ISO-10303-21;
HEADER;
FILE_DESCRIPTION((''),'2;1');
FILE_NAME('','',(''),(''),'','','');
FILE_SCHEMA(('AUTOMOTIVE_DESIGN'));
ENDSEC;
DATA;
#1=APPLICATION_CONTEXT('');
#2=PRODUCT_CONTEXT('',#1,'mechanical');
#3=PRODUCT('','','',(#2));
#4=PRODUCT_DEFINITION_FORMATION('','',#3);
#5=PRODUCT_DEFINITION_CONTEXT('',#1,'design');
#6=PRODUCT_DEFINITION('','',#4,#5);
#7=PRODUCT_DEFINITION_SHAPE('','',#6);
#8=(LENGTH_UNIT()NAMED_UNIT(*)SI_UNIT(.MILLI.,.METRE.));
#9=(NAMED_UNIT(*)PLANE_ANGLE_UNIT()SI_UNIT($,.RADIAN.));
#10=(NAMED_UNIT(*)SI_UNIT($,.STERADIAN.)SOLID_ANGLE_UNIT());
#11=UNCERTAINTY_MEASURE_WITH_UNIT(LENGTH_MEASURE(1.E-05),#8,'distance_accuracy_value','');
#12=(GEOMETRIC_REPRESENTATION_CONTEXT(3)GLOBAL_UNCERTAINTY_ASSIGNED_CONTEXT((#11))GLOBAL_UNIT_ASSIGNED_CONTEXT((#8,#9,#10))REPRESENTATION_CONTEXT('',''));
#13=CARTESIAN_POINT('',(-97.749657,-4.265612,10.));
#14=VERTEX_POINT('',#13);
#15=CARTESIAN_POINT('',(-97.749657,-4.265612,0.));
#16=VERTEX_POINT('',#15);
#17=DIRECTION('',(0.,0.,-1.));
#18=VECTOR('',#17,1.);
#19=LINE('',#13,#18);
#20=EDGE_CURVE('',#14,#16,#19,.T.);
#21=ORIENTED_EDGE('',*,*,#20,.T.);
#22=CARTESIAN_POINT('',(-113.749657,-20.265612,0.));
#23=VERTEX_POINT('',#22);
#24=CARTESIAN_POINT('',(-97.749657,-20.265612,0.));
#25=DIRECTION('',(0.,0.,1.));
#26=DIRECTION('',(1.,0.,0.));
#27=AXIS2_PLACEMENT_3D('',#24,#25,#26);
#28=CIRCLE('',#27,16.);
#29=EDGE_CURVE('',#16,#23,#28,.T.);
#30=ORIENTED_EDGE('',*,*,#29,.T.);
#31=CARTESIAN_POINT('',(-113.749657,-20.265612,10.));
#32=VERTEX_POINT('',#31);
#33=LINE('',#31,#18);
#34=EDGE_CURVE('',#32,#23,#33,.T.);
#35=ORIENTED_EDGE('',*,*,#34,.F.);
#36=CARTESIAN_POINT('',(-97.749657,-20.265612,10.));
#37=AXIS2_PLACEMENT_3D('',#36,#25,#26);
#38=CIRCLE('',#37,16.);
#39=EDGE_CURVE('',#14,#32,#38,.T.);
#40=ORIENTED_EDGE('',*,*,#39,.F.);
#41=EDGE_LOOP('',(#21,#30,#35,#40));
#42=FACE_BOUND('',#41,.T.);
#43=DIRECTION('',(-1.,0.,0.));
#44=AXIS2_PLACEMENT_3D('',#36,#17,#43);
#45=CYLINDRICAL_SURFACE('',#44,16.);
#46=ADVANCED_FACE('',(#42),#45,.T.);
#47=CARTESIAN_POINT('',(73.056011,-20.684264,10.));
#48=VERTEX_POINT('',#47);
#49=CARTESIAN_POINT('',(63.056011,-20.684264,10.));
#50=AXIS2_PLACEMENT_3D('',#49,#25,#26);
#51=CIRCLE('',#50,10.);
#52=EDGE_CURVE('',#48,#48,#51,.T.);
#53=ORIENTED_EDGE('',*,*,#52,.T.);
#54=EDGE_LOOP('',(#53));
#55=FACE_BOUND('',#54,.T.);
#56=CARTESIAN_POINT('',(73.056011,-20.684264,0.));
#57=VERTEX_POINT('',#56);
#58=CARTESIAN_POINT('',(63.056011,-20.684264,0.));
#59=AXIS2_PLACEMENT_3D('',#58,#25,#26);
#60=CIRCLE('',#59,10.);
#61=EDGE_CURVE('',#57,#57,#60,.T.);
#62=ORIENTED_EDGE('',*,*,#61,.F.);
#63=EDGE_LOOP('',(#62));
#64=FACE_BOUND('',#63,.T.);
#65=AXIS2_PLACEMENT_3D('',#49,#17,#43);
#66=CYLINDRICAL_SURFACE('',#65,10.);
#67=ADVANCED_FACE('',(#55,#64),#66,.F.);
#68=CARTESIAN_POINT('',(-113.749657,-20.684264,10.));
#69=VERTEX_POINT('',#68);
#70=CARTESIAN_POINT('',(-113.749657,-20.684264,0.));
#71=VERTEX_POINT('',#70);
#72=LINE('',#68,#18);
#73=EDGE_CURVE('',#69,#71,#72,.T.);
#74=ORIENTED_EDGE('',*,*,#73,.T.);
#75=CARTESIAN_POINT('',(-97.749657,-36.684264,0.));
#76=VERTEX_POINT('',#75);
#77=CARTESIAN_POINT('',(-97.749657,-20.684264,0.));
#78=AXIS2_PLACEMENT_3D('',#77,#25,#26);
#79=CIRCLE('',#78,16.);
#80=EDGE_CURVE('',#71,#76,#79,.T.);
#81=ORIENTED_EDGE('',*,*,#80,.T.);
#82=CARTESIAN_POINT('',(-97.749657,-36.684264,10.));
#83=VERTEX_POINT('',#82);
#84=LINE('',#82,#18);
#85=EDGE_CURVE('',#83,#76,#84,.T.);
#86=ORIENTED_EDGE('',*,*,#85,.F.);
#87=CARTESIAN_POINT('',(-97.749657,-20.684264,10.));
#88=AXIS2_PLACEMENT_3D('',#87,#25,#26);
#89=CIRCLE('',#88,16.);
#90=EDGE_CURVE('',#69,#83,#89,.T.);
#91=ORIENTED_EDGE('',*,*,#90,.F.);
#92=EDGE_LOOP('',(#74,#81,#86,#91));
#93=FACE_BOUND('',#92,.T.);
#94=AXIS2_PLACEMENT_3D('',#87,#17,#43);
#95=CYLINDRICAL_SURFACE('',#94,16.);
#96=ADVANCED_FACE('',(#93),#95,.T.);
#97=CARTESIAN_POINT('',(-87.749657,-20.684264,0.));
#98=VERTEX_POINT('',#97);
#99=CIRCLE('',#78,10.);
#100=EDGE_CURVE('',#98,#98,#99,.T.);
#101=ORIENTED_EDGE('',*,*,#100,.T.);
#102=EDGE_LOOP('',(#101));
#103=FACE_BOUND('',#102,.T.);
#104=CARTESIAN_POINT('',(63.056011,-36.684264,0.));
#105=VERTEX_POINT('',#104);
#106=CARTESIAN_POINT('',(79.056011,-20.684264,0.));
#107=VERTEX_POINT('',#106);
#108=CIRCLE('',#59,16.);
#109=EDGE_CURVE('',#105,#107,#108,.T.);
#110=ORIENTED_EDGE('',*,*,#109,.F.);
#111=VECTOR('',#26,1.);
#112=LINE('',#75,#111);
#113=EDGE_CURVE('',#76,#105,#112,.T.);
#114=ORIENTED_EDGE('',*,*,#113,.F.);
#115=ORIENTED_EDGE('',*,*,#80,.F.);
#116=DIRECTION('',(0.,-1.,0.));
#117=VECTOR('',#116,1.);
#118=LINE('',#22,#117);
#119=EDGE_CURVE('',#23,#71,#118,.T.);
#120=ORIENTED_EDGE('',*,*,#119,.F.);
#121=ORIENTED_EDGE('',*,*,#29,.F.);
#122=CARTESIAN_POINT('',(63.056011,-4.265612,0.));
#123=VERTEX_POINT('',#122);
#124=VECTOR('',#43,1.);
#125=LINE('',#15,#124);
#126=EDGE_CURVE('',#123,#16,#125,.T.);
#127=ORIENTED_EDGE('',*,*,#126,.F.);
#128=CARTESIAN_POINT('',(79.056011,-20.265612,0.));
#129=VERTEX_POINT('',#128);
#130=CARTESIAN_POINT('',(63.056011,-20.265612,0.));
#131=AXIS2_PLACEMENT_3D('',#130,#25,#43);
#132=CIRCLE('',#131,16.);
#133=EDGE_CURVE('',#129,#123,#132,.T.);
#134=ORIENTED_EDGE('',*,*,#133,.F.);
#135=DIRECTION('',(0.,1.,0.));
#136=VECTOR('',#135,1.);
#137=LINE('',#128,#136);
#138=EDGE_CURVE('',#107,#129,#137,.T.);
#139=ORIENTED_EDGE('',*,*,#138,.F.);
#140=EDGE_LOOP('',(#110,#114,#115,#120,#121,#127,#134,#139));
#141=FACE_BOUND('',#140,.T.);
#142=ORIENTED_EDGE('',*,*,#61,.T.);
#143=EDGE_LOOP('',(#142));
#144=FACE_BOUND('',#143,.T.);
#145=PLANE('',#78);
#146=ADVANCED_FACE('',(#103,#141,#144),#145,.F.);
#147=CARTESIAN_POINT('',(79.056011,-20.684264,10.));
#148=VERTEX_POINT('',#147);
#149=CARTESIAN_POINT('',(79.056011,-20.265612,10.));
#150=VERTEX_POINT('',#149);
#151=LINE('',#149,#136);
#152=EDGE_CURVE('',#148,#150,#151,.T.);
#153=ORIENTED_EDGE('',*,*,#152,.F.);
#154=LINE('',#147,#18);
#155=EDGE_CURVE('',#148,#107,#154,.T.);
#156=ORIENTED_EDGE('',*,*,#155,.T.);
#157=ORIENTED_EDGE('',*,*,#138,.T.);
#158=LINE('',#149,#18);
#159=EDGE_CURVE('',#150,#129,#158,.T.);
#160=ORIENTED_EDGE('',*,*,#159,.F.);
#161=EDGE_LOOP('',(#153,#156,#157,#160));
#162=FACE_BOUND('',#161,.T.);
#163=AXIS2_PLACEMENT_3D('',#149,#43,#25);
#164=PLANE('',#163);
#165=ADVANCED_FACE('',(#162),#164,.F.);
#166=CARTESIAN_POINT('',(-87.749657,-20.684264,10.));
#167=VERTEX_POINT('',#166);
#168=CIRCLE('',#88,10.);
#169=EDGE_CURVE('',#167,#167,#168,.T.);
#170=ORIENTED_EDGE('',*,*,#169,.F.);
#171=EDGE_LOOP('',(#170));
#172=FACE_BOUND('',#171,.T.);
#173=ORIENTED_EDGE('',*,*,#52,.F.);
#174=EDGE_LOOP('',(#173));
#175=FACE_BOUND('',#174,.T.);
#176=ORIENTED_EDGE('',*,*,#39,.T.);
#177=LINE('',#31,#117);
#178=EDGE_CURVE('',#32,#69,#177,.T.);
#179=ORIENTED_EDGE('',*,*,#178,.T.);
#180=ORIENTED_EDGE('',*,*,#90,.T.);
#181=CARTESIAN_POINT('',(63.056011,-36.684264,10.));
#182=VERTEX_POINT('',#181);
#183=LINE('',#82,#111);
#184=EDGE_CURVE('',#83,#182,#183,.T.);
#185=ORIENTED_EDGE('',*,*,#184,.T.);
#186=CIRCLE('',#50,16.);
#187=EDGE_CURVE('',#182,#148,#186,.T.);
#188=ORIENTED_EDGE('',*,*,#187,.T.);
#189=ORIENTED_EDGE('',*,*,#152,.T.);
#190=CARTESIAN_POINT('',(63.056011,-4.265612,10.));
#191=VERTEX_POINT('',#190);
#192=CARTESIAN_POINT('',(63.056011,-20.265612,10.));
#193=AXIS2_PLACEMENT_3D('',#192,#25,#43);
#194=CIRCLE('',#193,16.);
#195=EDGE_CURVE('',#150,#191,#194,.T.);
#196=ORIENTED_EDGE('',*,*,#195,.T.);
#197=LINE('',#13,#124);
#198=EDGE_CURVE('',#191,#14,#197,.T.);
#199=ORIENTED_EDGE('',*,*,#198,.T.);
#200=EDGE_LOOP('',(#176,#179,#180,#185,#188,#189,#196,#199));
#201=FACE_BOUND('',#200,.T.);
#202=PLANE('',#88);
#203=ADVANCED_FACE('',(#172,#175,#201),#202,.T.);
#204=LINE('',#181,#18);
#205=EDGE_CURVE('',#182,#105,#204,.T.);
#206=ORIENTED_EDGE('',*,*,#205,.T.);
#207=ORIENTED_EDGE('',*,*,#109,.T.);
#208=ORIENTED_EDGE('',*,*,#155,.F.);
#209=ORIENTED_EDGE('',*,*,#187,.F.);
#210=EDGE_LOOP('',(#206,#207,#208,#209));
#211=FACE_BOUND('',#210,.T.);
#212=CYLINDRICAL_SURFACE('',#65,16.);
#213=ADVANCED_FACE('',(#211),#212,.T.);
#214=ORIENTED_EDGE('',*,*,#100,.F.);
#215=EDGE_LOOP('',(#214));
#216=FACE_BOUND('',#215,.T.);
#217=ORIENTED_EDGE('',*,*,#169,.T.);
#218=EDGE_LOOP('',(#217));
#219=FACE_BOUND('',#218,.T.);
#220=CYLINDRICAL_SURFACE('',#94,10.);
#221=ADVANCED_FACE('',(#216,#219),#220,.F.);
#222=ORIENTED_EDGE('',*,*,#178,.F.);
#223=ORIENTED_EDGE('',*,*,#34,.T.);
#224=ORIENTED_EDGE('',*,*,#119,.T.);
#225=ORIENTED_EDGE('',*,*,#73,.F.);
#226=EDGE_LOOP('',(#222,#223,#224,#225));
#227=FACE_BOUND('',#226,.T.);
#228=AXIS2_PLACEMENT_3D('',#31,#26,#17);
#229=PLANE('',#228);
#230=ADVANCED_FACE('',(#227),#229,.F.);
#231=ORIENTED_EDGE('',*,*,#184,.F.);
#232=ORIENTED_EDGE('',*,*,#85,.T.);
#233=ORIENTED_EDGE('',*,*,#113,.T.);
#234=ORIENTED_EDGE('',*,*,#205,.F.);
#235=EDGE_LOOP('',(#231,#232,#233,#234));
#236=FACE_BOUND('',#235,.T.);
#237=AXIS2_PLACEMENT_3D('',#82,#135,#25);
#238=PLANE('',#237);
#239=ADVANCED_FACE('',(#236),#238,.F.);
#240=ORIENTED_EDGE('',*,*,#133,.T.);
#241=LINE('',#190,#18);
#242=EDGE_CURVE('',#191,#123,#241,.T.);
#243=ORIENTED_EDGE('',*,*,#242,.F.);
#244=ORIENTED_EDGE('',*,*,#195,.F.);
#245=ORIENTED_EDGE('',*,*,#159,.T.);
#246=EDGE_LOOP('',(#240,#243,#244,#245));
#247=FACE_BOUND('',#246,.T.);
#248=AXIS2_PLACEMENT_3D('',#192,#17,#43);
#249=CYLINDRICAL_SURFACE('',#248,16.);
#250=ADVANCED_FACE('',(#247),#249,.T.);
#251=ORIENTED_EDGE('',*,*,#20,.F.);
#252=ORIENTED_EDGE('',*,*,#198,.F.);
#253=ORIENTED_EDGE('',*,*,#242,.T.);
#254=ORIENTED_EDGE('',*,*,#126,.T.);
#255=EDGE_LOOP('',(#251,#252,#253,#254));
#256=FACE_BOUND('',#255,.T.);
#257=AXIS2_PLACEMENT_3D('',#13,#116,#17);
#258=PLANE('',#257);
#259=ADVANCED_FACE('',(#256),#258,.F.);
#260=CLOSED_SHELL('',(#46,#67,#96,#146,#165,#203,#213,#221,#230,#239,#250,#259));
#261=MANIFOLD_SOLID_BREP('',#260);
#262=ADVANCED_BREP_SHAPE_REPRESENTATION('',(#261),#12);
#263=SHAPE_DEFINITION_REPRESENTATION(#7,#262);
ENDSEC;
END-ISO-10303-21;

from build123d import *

# Parameters (mm, degrees)
SKETCH1_R           = 10
BOSS_EXTRUDE1_DEPTH = 10


with BuildPart() as part:
    # Sketch1 → Boss-Extrude1 (new body)
    with BuildSketch(Plane.XY):
        with BuildLine():
            Line((-97.749656725, -4.265612127), (63.056011424, -4.265612127))
            ThreePointArc((63.056011424, -4.265612127), (74.369719923, -8.951903628), (79.056011424, -20.265612127))
            Line((79.056011424, -20.265612127), (79.056011424, -20.684264294))
            ThreePointArc((79.056011424, -20.684264294), (74.369719923, -31.997972793), (63.056011424, -36.684264294))
            Line((63.056011424, -36.684264294), (-97.749656725, -36.684264294))
            ThreePointArc((-97.749656725, -36.684264294), (-109.063365224, -31.997972793), (-113.749656725, -20.684264294))
            Line((-113.749656725, -20.684264294), (-113.749656725, -20.265612127))
            ThreePointArc((-113.749656725, -20.265612127), (-109.063365224, -8.951903628), (-97.749656725, -4.265612127))
        make_face()
        with Locations((-97.749656725, -20.684264294)):
            Circle(SKETCH1_R, mode=Mode.SUBTRACT)
        with Locations((63.056011424, -20.684264294)):
            Circle(SKETCH1_R, mode=Mode.SUBTRACT)
    extrude(amount=BOSS_EXTRUDE1_DEPTH)


solid = part.part
